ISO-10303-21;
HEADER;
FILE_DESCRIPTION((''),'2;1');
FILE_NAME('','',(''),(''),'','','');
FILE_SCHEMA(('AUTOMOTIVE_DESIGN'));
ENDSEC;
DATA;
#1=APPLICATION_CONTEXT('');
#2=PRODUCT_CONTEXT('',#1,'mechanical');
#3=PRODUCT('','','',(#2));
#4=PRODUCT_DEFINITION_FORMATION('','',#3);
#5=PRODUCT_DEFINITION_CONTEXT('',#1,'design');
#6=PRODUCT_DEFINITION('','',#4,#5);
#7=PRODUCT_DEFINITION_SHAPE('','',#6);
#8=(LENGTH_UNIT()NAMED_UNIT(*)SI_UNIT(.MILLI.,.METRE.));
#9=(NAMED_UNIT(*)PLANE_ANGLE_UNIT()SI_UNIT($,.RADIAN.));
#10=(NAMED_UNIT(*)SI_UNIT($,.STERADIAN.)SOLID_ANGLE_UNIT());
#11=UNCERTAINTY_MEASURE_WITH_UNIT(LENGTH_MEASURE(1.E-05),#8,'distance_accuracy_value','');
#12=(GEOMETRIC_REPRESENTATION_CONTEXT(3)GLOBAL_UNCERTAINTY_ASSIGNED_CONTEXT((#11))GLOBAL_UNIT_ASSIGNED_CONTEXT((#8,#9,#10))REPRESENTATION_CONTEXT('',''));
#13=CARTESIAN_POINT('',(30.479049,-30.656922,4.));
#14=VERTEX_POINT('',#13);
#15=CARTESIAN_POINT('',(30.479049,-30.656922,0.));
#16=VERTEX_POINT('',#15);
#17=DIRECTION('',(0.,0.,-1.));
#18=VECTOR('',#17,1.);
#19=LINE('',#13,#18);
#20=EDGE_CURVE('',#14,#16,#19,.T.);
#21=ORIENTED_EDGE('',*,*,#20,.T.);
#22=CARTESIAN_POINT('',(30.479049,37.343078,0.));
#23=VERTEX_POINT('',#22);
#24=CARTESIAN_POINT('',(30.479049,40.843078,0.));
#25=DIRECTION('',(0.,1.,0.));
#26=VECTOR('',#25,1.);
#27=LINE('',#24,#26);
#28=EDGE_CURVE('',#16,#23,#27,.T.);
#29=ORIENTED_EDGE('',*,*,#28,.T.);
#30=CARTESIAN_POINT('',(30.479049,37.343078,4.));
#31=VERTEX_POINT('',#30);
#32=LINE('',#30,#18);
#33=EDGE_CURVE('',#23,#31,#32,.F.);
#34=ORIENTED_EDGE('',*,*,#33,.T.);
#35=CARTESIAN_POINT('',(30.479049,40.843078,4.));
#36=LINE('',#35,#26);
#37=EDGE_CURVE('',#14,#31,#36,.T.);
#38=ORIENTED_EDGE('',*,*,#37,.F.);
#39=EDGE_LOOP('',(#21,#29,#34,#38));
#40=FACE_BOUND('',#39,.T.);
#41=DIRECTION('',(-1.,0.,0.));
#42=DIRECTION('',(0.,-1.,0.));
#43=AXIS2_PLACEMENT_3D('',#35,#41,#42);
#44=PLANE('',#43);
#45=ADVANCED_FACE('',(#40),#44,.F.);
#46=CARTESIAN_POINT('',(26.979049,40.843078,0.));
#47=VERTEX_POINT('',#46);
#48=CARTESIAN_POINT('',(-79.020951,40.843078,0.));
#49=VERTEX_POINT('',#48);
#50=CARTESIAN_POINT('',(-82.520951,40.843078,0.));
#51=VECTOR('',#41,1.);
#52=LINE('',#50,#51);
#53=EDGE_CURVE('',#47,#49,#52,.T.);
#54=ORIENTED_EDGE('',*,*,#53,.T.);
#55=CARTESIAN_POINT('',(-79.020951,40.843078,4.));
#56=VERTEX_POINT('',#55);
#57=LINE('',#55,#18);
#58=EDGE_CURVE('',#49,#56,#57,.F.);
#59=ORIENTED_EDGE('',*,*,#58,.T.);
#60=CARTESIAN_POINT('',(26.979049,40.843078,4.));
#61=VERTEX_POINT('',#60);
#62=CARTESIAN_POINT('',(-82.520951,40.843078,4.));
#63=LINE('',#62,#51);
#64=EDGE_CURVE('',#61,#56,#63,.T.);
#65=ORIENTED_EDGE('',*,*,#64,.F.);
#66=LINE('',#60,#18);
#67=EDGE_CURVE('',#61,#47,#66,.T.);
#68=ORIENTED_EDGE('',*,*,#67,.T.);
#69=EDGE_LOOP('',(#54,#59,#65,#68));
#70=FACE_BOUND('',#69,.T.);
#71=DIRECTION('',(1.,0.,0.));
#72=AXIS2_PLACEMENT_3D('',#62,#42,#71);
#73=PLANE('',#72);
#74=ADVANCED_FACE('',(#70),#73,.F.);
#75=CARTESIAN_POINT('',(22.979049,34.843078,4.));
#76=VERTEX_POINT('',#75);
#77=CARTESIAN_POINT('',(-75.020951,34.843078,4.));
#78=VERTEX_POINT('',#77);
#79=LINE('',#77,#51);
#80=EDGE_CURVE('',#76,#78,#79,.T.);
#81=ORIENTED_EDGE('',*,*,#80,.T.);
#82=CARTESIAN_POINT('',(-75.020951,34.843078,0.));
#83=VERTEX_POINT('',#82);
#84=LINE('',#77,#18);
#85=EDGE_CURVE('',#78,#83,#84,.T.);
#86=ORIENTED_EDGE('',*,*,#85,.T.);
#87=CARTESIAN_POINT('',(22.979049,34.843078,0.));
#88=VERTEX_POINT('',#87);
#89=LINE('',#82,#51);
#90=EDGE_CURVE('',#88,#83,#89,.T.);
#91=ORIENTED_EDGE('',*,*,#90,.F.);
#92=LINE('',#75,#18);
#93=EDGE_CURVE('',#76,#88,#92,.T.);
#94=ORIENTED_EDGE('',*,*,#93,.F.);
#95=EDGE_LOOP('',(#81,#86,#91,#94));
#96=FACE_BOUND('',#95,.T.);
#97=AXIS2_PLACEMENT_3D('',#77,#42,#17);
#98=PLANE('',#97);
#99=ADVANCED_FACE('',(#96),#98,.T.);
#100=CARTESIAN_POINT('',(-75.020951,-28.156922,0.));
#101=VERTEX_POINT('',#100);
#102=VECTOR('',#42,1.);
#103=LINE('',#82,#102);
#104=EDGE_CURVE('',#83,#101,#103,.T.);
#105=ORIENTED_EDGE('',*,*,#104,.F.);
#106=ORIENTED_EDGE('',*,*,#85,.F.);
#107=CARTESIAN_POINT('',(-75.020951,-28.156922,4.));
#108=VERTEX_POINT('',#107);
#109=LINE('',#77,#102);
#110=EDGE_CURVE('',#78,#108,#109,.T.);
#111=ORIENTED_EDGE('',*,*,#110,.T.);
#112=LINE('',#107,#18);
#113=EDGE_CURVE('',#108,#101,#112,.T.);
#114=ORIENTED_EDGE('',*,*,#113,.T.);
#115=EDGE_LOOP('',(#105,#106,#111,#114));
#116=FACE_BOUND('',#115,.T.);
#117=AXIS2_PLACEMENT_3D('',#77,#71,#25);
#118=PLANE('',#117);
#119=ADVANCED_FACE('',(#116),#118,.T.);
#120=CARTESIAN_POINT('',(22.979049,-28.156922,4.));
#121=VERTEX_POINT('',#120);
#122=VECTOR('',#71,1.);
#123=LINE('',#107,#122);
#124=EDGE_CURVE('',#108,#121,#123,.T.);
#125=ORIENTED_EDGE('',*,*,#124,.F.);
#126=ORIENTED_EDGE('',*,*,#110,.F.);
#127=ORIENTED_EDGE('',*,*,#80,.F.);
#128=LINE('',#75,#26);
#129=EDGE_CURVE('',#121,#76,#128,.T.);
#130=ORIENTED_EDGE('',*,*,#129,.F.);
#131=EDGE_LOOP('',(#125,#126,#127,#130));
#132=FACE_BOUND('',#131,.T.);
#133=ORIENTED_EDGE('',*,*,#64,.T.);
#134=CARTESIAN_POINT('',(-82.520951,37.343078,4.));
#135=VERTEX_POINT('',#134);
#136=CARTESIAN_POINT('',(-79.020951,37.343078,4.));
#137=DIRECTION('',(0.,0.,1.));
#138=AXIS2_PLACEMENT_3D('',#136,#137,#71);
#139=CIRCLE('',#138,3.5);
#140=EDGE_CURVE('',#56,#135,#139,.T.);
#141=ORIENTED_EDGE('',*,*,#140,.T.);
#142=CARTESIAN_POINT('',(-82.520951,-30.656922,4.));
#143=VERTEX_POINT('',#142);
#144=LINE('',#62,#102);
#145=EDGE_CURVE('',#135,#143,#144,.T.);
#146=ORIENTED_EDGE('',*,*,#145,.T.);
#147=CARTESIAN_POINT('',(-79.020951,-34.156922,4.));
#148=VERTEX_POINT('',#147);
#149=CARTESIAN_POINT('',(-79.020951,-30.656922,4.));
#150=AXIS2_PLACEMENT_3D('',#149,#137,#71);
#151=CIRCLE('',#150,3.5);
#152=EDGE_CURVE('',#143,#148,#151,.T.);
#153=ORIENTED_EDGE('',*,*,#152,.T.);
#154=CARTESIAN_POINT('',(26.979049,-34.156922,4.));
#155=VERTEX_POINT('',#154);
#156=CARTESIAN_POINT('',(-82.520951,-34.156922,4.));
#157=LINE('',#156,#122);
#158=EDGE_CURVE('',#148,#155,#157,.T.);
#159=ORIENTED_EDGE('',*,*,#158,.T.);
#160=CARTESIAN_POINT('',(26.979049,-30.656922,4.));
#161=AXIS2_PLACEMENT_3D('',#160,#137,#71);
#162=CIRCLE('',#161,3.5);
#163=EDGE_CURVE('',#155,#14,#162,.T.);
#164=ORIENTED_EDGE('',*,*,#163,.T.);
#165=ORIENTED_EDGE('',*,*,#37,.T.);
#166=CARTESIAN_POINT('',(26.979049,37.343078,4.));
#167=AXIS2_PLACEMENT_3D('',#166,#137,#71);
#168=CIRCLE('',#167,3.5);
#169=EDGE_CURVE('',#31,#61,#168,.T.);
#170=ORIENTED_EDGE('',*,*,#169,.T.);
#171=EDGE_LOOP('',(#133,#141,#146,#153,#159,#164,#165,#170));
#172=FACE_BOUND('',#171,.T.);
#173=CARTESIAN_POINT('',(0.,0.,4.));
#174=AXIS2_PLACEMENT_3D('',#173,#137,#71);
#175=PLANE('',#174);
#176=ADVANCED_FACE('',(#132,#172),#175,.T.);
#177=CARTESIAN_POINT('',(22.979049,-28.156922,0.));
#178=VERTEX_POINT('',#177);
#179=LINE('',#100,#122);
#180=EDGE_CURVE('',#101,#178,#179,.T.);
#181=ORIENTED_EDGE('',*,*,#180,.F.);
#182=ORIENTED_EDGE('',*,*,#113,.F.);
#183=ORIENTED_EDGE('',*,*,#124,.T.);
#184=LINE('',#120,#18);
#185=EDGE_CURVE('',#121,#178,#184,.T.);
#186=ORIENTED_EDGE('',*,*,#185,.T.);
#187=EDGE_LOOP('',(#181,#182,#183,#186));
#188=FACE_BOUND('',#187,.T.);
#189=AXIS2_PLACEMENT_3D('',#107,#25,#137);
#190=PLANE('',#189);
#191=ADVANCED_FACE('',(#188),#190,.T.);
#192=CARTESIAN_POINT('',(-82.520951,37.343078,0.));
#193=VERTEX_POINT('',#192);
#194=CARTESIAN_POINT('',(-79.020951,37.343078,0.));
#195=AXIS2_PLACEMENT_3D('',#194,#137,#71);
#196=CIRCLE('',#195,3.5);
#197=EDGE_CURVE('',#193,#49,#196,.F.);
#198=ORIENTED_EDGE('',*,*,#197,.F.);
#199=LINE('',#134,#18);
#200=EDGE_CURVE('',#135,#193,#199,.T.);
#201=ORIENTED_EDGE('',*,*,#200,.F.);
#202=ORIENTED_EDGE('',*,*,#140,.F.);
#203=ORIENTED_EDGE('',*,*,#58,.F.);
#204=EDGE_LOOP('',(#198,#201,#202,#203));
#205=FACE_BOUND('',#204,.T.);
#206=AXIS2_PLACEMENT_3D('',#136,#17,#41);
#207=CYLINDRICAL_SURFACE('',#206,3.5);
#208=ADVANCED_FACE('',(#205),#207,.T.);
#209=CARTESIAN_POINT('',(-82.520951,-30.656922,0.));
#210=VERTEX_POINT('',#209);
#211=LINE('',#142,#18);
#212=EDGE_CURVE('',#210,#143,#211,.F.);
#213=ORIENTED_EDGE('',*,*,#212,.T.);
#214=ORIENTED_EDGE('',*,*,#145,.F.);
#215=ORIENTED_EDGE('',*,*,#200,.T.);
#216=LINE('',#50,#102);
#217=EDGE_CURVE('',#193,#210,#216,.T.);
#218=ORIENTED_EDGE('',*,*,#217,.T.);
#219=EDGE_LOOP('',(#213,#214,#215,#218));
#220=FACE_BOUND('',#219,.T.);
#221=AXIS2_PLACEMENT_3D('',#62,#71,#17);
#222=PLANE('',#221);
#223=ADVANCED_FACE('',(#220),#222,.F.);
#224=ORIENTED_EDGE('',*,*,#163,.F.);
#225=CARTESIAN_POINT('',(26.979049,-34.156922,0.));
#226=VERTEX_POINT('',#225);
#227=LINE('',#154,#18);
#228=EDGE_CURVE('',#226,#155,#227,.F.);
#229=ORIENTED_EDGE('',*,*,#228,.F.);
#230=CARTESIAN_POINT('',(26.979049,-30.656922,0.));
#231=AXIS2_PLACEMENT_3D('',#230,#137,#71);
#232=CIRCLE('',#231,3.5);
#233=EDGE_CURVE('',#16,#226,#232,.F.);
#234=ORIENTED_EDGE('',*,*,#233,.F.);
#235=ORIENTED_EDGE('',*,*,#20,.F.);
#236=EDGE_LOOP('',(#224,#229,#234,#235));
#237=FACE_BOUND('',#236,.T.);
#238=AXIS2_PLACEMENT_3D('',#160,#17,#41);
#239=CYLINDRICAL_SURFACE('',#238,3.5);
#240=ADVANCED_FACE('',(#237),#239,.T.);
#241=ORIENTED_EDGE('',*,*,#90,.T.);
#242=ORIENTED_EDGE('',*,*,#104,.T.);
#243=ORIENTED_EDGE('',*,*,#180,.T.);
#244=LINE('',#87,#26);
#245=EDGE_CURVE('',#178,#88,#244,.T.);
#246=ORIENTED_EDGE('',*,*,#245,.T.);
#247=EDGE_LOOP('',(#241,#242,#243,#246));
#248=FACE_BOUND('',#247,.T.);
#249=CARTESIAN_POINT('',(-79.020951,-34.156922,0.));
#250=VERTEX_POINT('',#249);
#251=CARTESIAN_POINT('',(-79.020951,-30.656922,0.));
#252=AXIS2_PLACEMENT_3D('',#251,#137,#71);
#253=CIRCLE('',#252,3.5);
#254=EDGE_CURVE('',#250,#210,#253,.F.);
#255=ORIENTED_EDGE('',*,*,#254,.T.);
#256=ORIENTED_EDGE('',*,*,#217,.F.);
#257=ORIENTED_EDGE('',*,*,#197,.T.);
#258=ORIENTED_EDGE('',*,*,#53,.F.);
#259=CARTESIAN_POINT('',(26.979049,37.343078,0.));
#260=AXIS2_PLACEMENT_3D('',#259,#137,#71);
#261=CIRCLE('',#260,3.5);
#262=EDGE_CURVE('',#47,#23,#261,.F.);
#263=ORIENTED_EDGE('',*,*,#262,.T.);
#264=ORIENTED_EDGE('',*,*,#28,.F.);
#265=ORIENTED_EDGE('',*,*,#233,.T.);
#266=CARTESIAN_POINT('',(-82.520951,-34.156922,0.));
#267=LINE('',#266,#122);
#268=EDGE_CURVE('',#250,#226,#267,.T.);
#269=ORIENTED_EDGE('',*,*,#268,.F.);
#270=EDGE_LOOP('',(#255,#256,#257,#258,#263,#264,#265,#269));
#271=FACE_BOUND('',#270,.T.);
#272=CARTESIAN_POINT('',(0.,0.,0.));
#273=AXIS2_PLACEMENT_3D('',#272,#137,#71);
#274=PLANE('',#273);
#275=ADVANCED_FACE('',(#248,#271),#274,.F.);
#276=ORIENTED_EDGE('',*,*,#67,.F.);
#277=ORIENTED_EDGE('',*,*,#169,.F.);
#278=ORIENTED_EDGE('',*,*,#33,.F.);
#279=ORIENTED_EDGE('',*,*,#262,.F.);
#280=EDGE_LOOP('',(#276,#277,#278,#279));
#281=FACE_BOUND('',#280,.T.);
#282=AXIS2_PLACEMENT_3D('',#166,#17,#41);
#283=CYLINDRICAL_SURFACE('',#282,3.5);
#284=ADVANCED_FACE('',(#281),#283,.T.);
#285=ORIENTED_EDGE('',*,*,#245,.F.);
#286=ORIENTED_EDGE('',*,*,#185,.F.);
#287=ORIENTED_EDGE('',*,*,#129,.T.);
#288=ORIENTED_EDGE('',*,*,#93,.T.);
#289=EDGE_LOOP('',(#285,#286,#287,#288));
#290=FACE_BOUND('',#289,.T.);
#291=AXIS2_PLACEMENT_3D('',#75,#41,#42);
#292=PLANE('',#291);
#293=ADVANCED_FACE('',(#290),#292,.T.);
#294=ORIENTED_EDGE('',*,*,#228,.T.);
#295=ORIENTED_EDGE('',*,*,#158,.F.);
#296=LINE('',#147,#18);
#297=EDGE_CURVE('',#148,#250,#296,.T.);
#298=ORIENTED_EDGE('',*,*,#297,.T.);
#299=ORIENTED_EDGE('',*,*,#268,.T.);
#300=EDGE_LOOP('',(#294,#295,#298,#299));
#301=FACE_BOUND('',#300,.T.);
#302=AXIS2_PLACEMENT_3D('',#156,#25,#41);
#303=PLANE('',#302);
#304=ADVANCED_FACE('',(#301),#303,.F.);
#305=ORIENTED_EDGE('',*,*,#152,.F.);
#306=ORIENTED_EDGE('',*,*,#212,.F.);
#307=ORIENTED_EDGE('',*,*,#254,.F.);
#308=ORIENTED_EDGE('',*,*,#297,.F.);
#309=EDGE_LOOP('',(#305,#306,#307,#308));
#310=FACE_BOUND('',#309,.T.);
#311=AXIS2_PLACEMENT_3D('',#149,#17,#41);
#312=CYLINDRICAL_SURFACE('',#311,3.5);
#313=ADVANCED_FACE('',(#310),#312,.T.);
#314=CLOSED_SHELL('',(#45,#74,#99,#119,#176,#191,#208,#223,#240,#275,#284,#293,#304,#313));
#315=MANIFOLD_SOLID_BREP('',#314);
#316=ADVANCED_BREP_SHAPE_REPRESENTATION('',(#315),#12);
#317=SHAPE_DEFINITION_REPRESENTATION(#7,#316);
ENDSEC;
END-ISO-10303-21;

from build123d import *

# Parameters (mm, degrees)
SKETCH1_W           = 113
SKETCH1_H           = 75
SKETCH1_W_2         = 98
SKETCH1_H_2         = 63
BOSS_EXTRUDE1_DEPTH = 4
FILLET1_R           = 3.5


with BuildPart() as part:
    # Sketch1 → Boss-Extrude1 (new body)
    with BuildSketch(Plane.XY):
        with Locations((-26.020950744, 3.343078266)):
            Rectangle(SKETCH1_W, SKETCH1_H)
        with Locations((-26.020950744, 3.343078266)):
            Rectangle(SKETCH1_W_2, SKETCH1_H_2, mode=Mode.SUBTRACT)
    extrude(amount=BOSS_EXTRUDE1_DEPTH)

    # Fillet1
    fillet1_edges = [part.edges().sort_by_distance(p)[0] for p in [
        (-82.520950744, 40.843078266, 2),
        (30.479049256, 40.843078266, 2),
        (30.479049256, -34.156921734, 2),
        (-82.520950744, -34.156921734, 2),
    ]]
    fillet(fillet1_edges, radius=FILLET1_R)


solid = part.part
